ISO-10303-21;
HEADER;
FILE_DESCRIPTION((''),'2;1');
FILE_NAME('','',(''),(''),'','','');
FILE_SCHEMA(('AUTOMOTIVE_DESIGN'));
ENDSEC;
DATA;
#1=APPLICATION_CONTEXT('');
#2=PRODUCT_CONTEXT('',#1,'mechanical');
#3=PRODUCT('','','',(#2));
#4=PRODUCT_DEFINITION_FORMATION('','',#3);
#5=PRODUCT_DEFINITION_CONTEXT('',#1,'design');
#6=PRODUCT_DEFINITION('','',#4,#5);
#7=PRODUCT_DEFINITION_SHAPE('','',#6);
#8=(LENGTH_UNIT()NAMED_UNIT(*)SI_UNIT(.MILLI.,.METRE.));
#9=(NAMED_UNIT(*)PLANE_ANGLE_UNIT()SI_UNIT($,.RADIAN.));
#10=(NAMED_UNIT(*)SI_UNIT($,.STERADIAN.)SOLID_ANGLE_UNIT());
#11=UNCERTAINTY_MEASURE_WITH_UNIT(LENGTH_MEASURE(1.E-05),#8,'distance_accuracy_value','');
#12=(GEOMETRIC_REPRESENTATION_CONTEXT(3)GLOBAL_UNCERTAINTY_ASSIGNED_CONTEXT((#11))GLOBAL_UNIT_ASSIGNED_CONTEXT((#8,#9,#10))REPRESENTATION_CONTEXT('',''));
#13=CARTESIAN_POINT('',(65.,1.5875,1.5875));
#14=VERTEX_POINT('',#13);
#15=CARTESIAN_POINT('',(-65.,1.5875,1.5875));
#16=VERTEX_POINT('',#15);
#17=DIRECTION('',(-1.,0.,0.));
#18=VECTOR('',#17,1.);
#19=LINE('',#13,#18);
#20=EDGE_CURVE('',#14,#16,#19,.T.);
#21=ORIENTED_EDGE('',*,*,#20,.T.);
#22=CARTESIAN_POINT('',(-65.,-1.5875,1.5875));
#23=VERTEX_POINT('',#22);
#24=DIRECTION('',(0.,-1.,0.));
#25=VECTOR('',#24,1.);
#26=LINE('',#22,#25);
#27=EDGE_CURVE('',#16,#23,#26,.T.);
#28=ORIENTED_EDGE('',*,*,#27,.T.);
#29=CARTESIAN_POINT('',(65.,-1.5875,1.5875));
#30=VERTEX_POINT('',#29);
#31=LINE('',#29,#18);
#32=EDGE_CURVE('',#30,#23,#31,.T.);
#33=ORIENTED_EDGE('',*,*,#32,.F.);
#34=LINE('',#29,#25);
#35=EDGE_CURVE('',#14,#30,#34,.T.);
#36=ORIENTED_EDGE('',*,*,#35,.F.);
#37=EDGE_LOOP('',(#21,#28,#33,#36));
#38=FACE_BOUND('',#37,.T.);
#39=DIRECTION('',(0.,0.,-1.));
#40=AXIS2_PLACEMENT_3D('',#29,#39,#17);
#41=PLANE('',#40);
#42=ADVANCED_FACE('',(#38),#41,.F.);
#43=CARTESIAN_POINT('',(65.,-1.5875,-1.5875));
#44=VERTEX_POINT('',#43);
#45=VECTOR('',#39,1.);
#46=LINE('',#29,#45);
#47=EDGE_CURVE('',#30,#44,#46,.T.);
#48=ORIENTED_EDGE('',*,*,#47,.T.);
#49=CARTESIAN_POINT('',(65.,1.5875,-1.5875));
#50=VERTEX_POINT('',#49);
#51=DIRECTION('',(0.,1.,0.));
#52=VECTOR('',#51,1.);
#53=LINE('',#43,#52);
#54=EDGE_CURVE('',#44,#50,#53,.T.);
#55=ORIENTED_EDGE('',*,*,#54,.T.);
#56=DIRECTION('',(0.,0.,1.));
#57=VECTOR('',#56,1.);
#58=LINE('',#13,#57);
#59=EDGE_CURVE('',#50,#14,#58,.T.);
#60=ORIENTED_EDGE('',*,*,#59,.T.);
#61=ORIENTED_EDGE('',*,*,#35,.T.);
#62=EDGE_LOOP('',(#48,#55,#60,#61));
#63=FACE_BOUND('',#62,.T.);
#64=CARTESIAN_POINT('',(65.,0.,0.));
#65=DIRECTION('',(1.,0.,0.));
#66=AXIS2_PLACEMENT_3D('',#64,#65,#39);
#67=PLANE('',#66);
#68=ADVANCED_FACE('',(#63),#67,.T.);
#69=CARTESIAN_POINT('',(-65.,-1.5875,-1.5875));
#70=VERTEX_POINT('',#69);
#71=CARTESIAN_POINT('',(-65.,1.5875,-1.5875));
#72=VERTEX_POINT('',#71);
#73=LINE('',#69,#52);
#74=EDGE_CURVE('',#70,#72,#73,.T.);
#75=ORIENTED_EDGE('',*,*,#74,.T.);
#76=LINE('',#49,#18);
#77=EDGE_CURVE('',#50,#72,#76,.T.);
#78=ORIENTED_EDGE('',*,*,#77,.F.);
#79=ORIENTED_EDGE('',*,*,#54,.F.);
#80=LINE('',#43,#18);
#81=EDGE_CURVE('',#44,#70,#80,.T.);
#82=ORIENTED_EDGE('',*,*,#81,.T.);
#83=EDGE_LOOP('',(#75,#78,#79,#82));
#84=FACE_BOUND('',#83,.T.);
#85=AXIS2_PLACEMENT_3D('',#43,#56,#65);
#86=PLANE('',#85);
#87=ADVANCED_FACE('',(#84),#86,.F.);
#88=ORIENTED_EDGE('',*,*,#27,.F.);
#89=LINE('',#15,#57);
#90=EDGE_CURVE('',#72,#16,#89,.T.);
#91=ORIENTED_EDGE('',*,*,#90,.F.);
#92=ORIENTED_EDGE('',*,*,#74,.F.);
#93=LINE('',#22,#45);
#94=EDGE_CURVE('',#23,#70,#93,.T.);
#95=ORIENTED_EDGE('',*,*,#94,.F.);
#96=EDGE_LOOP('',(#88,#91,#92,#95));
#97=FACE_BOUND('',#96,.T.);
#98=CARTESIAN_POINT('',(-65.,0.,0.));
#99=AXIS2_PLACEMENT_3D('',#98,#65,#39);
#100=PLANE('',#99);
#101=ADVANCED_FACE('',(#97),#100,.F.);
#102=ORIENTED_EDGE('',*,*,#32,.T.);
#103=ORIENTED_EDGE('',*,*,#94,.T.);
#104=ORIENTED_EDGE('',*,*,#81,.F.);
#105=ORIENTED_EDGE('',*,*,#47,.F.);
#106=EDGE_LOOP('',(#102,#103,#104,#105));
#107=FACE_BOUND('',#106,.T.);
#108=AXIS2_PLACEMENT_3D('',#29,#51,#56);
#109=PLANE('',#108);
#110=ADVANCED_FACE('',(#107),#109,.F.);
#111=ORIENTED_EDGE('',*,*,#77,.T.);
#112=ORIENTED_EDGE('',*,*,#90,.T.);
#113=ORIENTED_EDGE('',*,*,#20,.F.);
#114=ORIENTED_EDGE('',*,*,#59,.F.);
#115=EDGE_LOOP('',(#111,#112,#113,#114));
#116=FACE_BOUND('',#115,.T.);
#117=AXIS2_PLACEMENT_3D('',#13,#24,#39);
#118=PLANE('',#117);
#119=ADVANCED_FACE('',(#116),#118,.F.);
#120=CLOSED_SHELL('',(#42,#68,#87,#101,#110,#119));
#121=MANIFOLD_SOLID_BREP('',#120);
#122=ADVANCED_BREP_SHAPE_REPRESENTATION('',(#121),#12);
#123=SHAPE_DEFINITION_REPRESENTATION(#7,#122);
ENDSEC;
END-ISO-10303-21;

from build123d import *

# Parameters (mm, degrees)
BOSS_EXTRUDE1_DEPTH      = 65
BOSS_EXTRUDE1_DEPTH_BACK = 65
SKETCH3_W                = 3.175
SKETCH3_H                = 3.175


with BuildPart() as part:
    # Sketch3 → Boss-Extrude1 (new, two sides: drawn at the far end of the back side and taken through both)
    with BuildSketch(Plane(origin=(0, 0, 0), x_dir=(0, 0, -1), z_dir=(1, 0, 0)).offset(-BOSS_EXTRUDE1_DEPTH_BACK)):
        Rectangle(SKETCH3_W, SKETCH3_H)
    extrude(amount=BOSS_EXTRUDE1_DEPTH + BOSS_EXTRUDE1_DEPTH_BACK)


solid = part.part
